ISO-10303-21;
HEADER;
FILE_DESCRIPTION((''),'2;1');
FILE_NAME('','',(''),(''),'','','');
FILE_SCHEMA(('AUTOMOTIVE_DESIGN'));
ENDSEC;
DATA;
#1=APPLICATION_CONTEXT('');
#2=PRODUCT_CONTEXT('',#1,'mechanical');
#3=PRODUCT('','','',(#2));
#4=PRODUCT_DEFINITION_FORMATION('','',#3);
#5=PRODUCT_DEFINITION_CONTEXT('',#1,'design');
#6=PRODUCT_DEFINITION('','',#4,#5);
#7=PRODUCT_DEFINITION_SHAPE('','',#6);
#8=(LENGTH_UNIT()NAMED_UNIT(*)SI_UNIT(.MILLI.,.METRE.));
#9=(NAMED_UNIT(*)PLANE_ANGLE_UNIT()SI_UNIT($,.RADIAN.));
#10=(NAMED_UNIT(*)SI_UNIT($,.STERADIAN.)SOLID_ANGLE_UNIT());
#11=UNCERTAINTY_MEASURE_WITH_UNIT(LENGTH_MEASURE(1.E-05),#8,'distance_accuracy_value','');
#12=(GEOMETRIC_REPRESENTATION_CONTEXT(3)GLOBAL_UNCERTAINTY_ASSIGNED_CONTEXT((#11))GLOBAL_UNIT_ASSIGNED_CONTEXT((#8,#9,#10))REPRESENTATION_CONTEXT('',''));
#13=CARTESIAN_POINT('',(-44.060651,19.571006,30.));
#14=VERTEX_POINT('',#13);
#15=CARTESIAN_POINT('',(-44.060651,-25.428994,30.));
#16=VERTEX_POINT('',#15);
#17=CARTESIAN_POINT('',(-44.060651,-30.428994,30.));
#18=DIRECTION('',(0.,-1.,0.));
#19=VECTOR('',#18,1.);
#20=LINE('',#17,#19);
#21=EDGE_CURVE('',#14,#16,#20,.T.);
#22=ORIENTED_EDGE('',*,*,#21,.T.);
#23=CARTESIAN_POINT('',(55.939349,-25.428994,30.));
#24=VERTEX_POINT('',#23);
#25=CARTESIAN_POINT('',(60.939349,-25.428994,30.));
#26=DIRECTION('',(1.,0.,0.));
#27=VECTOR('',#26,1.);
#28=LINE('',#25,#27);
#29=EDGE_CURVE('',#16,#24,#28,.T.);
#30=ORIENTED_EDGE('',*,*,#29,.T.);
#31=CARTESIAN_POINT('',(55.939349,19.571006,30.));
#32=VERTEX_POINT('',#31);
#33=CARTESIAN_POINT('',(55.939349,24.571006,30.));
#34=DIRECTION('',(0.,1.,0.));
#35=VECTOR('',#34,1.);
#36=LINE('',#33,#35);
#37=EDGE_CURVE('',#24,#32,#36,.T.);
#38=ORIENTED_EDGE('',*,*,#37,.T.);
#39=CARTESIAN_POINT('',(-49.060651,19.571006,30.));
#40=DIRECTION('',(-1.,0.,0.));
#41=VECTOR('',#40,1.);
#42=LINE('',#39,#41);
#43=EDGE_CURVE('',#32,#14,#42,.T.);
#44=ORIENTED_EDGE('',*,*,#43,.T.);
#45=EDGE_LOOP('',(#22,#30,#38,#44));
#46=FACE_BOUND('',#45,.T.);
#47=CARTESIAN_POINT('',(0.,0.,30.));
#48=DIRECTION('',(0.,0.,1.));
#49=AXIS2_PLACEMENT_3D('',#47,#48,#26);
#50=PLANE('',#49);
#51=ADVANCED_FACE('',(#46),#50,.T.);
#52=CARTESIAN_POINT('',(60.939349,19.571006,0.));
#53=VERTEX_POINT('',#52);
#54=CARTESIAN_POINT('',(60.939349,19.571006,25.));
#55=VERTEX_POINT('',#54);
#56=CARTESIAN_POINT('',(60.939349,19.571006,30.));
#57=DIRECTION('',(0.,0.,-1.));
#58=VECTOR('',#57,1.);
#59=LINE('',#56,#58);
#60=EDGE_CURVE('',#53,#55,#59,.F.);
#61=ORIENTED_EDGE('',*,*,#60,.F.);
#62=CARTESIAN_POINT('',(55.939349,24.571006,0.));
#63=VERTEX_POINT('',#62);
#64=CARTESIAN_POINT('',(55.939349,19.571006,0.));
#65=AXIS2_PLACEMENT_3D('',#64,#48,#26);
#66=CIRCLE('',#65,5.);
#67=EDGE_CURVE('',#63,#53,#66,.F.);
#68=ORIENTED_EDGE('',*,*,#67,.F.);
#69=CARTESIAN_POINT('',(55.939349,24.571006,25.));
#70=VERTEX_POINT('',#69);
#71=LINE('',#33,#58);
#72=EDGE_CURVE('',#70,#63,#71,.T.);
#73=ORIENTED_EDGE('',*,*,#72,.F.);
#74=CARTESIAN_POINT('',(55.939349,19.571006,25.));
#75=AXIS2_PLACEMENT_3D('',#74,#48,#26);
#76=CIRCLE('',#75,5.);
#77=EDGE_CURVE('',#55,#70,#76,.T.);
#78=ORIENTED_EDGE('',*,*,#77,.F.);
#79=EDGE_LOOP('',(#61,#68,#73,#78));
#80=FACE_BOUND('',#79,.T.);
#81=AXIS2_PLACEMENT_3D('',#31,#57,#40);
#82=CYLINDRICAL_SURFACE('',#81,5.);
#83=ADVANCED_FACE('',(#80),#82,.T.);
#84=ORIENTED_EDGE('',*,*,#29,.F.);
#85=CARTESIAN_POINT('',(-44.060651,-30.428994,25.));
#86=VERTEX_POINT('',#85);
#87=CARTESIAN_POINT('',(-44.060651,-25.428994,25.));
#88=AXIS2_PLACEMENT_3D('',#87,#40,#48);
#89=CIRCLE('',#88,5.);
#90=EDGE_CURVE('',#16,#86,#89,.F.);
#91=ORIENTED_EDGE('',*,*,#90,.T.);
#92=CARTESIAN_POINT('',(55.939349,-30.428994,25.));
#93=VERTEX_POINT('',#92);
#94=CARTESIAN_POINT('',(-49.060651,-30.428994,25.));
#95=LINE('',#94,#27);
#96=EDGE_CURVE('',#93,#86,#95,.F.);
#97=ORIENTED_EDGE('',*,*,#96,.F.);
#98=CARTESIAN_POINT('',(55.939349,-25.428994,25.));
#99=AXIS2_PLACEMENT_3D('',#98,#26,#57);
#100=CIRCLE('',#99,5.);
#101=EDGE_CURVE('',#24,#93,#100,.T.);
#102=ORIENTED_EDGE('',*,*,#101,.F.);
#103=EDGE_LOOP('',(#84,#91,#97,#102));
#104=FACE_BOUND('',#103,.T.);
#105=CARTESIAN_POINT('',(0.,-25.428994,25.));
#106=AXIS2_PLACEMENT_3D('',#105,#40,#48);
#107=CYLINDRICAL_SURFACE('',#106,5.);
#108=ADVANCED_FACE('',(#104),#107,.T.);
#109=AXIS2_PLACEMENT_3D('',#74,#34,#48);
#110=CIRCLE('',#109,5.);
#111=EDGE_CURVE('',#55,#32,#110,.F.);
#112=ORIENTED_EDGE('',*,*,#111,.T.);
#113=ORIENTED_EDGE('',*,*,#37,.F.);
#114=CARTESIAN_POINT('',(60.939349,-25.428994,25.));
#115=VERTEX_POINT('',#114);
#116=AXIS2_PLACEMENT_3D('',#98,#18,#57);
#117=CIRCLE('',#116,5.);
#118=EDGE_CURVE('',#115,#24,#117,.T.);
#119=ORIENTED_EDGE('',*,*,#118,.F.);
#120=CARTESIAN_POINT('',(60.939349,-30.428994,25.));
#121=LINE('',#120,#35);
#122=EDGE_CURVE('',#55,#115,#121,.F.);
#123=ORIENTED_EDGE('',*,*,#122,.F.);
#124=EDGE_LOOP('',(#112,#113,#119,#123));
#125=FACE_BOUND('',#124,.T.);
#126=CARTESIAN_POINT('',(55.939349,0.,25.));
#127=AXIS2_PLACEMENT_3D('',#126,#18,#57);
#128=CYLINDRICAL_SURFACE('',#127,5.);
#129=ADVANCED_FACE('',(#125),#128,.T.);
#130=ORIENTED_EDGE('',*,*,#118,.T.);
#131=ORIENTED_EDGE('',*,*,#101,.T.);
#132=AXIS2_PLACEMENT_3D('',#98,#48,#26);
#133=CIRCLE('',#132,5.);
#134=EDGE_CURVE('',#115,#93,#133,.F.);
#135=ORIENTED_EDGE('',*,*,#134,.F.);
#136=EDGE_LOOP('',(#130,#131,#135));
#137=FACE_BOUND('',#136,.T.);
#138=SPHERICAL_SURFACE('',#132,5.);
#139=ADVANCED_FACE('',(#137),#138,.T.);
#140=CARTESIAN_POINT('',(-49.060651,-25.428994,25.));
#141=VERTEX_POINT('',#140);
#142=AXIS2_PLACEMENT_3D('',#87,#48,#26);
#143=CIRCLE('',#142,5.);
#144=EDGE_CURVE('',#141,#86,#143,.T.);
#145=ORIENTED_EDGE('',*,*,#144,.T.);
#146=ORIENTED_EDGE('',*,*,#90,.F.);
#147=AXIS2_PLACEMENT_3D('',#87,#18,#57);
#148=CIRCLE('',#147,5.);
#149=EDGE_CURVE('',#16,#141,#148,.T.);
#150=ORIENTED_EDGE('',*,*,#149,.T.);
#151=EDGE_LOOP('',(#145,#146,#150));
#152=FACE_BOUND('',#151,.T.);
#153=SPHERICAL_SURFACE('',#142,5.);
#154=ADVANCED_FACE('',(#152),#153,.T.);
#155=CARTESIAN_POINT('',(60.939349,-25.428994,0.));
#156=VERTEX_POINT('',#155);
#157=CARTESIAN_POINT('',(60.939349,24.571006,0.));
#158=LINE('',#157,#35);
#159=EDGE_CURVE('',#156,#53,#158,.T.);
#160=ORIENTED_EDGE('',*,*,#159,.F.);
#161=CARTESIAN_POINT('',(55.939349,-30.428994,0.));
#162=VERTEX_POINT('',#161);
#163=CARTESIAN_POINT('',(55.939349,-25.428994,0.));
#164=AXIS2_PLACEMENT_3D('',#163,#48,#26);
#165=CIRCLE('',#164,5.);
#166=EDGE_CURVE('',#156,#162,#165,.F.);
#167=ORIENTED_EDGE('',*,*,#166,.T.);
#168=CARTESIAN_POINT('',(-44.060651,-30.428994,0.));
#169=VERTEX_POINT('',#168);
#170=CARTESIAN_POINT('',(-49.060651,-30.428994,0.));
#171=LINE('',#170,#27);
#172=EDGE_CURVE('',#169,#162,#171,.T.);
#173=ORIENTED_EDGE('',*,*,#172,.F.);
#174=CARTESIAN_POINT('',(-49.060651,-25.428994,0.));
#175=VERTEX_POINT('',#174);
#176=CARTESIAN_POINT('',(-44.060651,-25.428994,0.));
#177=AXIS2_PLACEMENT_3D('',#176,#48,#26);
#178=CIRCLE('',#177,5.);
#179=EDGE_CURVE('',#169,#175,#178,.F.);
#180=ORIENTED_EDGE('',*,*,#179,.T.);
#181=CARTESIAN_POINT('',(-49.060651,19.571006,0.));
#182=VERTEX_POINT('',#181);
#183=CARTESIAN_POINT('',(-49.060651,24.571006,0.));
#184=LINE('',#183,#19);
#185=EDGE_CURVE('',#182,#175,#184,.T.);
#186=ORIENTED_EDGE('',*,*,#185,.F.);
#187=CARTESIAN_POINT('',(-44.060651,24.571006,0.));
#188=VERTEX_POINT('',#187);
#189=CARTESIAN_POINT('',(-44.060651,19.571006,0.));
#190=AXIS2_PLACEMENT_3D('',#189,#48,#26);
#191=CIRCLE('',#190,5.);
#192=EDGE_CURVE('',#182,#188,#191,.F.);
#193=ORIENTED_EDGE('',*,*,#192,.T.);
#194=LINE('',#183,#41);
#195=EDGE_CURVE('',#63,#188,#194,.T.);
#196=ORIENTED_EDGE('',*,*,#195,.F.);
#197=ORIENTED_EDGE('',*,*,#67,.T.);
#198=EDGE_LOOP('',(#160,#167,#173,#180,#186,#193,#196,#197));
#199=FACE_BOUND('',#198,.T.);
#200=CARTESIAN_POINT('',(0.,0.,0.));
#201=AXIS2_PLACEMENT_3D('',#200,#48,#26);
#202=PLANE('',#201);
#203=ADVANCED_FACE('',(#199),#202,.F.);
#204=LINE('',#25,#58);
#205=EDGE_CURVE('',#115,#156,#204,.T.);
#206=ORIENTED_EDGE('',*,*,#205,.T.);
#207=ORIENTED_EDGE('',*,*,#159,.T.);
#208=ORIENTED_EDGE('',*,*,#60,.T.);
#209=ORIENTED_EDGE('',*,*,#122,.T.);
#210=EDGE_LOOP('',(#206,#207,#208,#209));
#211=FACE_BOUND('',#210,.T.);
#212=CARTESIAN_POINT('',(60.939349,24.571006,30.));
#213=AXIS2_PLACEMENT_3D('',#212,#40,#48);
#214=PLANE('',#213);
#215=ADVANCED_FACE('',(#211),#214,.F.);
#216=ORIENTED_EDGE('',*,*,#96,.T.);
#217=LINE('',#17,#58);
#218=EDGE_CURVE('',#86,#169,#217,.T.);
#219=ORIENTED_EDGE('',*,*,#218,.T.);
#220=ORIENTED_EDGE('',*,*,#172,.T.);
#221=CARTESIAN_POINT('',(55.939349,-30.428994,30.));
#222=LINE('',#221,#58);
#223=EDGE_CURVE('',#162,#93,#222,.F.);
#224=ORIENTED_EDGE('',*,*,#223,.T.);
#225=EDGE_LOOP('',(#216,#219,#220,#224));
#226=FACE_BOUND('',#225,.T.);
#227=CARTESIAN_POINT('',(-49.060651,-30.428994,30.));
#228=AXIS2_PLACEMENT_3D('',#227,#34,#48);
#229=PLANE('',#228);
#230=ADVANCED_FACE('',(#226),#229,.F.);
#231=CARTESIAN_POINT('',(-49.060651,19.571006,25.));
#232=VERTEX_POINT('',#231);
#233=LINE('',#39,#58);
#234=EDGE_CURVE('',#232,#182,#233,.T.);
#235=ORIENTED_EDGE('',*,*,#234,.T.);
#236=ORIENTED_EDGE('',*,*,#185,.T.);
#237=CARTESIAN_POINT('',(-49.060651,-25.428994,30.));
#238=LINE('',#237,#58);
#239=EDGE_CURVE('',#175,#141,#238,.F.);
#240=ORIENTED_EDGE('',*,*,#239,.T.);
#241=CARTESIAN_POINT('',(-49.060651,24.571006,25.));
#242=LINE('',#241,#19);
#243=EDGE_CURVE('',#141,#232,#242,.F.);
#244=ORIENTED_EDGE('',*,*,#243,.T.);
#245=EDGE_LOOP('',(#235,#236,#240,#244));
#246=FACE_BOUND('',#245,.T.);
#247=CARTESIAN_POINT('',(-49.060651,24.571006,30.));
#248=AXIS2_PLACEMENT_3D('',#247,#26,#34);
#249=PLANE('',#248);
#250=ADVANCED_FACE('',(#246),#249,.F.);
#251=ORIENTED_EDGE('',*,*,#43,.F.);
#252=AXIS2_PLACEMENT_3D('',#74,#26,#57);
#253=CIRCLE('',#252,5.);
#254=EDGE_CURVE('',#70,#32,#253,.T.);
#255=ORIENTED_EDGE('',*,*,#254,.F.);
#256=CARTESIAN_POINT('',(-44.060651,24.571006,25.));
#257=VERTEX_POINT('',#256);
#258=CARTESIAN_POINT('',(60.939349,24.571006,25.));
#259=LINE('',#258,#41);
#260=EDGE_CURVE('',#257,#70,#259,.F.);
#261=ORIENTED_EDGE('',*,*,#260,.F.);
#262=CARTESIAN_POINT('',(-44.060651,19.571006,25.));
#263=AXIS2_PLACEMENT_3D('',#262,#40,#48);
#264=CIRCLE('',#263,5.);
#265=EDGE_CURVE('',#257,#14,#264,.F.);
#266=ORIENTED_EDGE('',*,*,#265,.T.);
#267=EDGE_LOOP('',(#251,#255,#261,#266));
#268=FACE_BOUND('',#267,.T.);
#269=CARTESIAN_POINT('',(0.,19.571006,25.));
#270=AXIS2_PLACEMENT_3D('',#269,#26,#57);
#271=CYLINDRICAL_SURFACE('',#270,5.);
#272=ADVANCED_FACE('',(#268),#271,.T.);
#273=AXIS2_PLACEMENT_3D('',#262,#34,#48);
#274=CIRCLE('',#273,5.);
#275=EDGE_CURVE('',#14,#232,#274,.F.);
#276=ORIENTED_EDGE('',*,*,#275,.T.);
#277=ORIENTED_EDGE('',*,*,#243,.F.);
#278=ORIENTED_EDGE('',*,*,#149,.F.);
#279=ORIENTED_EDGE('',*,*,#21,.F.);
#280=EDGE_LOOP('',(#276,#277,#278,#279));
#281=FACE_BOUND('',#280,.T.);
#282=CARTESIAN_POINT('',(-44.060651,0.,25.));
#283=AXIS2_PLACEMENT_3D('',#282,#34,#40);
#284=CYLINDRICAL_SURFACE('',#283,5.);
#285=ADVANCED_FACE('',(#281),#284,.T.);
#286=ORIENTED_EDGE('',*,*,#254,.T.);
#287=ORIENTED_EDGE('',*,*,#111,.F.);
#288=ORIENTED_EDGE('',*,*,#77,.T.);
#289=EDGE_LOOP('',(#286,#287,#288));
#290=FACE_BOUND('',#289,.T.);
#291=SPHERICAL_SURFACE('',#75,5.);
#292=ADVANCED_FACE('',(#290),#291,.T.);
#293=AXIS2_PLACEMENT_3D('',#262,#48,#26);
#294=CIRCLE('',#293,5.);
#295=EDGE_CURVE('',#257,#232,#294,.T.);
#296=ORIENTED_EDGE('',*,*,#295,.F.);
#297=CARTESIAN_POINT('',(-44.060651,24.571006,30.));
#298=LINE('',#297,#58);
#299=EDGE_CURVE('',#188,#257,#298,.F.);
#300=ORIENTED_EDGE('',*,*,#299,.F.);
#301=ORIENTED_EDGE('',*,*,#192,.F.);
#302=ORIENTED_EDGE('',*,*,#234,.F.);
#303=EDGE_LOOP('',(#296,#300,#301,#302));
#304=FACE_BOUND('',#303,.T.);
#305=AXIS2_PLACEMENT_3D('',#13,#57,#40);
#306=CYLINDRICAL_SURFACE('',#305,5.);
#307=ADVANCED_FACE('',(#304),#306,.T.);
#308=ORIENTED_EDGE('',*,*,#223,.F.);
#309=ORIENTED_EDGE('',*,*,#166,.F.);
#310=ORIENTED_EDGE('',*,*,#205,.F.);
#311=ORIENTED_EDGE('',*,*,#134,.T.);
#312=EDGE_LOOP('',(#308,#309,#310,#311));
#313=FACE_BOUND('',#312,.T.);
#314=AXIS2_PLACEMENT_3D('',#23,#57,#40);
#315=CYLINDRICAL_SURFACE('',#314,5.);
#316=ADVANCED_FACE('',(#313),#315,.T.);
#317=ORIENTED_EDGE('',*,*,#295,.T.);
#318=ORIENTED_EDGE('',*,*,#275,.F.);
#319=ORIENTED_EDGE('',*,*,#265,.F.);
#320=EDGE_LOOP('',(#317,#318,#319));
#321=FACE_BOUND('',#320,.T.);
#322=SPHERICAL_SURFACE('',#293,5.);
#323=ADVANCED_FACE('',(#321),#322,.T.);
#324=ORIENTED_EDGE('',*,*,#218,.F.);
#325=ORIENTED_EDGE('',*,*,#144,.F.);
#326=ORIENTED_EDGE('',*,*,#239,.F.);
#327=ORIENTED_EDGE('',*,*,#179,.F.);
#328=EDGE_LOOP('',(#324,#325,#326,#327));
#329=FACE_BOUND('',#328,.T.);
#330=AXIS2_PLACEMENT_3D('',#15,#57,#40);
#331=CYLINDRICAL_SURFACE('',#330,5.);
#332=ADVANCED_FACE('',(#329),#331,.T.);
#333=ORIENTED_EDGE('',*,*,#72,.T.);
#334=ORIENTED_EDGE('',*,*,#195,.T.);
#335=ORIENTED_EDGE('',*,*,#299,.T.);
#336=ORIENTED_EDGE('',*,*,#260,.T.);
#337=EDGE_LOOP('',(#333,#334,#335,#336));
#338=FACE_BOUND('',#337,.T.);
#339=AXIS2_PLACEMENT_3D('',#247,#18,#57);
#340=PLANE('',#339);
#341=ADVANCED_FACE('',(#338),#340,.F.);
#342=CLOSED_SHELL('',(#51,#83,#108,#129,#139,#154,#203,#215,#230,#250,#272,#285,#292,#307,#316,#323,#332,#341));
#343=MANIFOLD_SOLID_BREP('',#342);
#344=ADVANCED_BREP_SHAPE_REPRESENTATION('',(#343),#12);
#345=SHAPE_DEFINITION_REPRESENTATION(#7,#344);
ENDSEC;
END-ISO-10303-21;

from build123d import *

# Parameters (mm, degrees)
SKETCH1_W           = 110
SKETCH1_H           = 55
BOSS_EXTRUDE1_DEPTH = 30
FILLET1_R           = 5


with BuildPart() as part:
    # Sketch1 → Boss-Extrude1 (new body)
    with BuildSketch(Plane.XY):
        with Locations((5.939349112, -2.928994083)):
            Rectangle(SKETCH1_W, SKETCH1_H)
    extrude(amount=BOSS_EXTRUDE1_DEPTH)

    # Fillet1
    fillet1_edges = [part.edges().sort_by_distance(p)[0] for p in [
        (60.939349112, -2.928994083, 30),
        (5.939349112, 24.571005917, 30),
        (-49.060650888, -2.928994083, 30),
        (5.939349112, -30.428994083, 30),
        (-49.060650888, 24.571005917, 15),
        (60.939349112, 24.571005917, 15),
        (60.939349112, -30.428994083, 15),
        (-49.060650888, -30.428994083, 15),
    ]]
    fillet(fillet1_edges, radius=FILLET1_R)


solid = part.part
